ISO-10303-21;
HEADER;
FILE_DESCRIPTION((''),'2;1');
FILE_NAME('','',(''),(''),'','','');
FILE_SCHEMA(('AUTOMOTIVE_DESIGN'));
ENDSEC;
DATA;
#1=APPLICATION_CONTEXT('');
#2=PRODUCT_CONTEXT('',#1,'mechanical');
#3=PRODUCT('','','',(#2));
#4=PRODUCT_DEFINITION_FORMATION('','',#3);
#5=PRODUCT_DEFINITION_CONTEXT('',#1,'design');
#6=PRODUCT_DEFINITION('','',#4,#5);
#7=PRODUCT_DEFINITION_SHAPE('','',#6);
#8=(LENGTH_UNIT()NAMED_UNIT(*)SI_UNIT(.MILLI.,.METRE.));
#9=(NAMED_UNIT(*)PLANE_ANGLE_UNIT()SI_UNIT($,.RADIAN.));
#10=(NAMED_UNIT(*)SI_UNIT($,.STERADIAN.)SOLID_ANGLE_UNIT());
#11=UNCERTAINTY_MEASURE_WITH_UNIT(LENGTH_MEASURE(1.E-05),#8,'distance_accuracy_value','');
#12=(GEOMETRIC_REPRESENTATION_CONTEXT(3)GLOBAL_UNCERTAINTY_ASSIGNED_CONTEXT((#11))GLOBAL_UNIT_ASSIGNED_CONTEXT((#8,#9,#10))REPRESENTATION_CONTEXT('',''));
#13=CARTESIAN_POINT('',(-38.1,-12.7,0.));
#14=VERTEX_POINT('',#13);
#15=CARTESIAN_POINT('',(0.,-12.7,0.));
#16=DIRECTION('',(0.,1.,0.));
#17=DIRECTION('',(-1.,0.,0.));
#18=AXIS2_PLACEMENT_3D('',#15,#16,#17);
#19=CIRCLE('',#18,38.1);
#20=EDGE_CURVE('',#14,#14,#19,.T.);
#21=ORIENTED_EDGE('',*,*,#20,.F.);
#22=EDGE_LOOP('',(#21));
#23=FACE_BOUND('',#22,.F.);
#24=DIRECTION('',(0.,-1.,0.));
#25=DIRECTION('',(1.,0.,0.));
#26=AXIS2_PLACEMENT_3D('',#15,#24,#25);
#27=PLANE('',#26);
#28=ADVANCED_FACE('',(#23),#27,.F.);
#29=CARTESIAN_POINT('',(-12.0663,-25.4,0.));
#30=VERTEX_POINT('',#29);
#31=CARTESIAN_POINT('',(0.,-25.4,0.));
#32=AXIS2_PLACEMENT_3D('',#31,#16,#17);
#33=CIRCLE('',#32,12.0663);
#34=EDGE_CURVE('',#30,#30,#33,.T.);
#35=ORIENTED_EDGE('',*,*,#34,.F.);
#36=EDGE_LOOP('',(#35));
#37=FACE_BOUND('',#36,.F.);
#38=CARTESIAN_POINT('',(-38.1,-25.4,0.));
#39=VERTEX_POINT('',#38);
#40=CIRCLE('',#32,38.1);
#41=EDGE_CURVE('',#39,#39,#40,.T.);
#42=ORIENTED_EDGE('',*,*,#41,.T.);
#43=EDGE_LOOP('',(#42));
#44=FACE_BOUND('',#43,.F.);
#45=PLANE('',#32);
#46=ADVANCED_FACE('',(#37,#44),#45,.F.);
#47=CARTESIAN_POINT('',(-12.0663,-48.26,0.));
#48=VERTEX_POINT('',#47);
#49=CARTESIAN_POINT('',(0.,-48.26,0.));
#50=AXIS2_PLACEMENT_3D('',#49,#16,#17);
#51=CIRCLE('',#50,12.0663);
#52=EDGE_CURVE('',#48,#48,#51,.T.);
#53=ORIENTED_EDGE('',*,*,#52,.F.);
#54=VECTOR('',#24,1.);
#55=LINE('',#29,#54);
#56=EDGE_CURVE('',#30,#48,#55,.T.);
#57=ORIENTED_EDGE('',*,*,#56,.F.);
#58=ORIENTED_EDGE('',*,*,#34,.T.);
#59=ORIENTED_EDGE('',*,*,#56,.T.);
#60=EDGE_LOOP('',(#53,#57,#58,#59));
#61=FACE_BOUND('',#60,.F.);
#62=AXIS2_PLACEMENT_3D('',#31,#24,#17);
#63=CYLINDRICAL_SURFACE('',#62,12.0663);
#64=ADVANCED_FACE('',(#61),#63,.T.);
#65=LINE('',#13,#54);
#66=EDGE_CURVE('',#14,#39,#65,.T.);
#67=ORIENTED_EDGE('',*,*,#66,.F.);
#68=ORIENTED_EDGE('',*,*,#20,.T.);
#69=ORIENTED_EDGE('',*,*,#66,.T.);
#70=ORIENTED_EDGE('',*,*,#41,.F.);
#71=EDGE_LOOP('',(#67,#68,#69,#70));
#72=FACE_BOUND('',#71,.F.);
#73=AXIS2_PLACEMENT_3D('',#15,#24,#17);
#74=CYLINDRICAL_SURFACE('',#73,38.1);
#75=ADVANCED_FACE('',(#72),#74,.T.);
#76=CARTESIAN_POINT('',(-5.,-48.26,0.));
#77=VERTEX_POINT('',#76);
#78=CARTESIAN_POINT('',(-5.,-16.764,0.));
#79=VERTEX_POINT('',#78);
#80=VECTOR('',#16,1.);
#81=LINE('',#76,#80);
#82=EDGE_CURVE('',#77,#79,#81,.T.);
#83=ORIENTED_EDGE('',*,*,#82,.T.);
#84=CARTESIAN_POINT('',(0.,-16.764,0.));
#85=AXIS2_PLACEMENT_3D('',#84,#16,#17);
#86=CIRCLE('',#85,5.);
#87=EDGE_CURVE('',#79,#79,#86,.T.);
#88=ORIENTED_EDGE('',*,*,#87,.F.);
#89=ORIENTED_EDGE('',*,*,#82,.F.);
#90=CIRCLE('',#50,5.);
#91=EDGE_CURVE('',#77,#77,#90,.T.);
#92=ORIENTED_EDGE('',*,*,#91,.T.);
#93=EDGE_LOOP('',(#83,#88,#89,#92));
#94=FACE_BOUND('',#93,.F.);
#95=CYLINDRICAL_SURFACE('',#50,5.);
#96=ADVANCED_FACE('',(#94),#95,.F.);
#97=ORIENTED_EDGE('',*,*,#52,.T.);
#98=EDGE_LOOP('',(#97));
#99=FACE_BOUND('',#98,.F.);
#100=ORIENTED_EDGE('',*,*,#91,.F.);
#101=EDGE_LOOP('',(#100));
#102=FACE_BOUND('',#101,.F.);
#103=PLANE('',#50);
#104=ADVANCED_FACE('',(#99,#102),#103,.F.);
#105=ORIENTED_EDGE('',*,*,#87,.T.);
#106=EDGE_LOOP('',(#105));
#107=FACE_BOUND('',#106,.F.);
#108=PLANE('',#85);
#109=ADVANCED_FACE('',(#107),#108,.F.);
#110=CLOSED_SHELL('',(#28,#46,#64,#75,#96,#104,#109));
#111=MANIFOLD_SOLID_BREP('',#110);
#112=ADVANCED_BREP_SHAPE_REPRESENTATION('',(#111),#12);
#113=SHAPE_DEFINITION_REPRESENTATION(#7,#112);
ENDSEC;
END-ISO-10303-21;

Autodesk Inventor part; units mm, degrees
ref_plane "YZ Plane" through (0, 0, 0) normal (1, 0, 0) x (0, 1, 0)
ref_plane "XZ Plane" through (0, 0, 0) normal (0, 1, 0) x (-1, 0, 0)
ref_plane "XY Plane" through (0, 0, 0) normal (0, 0, 1) x (1, 0, 0)
sketch "Sketch1" plane through (0, 0, 0) normal (0, 0, 1) x (1, 0, 0)
  line L0 (0, 0) -> (-50.8, 0)
  line L1 (-50.8, 0) -> (-50.8, -12.7)
  line L2 (-50.8, -12.7) -> (-38.1, -12.7)
  line L3 (-12.0663, -25.4) -> (-12.0663, -48.26)
  line L4 (-5, -48.26) -> (-5, -16.764)
  line L5 (-5, -16.764) -> (0, -16.764)
  line L6 (0, -16.764) -> (0, 0)
  line L7 (-12.0663, -48.26) -> (-5, -48.26)
  line L8 (-38.1, -12.7) -> (-38.1, -25.4)
  line L9 (-38.1, -25.4) -> (-12.0663, -25.4)
  dimension "d0" = 50.8
  dimension "d1" = 5
  dimension "d2" = 12.0663
  dimension "d13" = 35.56
  dimension "d15" = 31.496
  dimension "d38" = 12.7
  dimension "d39" = 38.1
revolve "Revolution1" add sketch "Sketch1" angle 360 about axis through (0, -16.764, 0) along (0, 1, 0)
sketch "Sketch5" plane through (0, 0, 0) normal (0, 1, 0) x (1, 0, 0)
  circle A0 centre (0, 0) radius 5 projected
  line L0 (9.815, 0) -> (4.9075, -8.5)
  line L1 (4.9075, -8.5) -> (-4.9075, -8.5)
  line L2 (-4.9075, -8.5) -> (-9.815, 0)
  line L3 (-9.815, 0) -> (-4.9075, 8.5)
  line L4 (-4.9075, 8.5) -> (4.9075, 8.5)
  line L5 (4.9075, 8.5) -> (9.815, 0)
  point P0 (0, 0)
  point P1 (0, 0)
  dimension "d16" = 17
extrude "Extrusion1" cut sketch "Sketch5" against normal blind 12.7 contours A0 | L0 L1 L2 L3 L4 L5
sketch "Sketch7" plane through (0, -12.7, 0) normal (0, -1, 0) x (1, 0, 0)
  circle A0 centre (0, 0) radius 50.8 projected
  line L0 (47.0929, -19.05) -> (85.1929, -19.05)
  line L1 (85.1929, -19.05) -> (85.1929, -31.75)
  line L2 (85.1929, -31.75) -> (39.6557, -31.75)
  circle A1 centre (0, 0) radius 5 construction
  line L3 (0, 0) -> (5, 0) construction
  line L4 (50.8, 0) -> (83.823, 0) construction
  dimension "d23" = 38.1
  dimension "d24" = 12.7
  dimension "d25" = 19.05
extrude "Extrusion3" add sketch "Sketch7" against normal blind 12.7 contours A0 L0 L1 L2
sketch "Sketch8" plane through (39.6557, 0, -31.75) normal (0, 1, 0) x (1, 0, 0)
  line L0 (45.5371, -12.7) -> (45.5371, 0) projected
  line L1 (45.5371, 0) -> (0, 0) projected
  line L2 (7.4371, -12.7) -> (45.5371, -12.7) projected
  line L3 (35.8511, -107.95) -> (35.8511, 44.45)
  line L4 (26.3261, -107.95) -> (26.3261, 44.45)
  line L5 (45.5371, -12.7) -> (23.3121, -12.7)
  line L6 (23.3121, -12.7) -> (23.3121, 0)
  line L7 (23.3121, 0) -> (45.5371, 0)
  line L8 (45.5371, 0) -> (45.5371, -12.7)
  point P0 (-39.6557, -31.75)
  point P1 (23.3121, 0)
  point P2 (23.3121, -12.7)
  dimension "d28" = 22.225
extrude "Extrusion4" add sketch "Sketch8" along normal blind 19.05
sketch "Sketch9" plane through (85.1929, -12.7, -31.75) normal (0, 0, -1) x (-1, 0, 0)
  line L0 (22.225, 12.7) -> (22.225, 31.75) projected
  line L1 (0, 31.75) -> (22.225, 31.75) projected
  arc A0 (16.0423, 14.3621) -> (12.8546, 14.3621) centre (14.4485, 18.85) ccw projected
  line L2 (0, 0) -> (0, 31.75) projected
  circle A1 centre (14.4485, 18.85) radius 4.953
  point P0 (85.1929, 12.7)
  dimension "d31" = 9.906
extrude "Extrusion5" cut sketch "Sketch9" against normal through all
mirror "Mirror1" about plane through (0, 0, 0) normal (0, 0, 1) of "Extrusion4", "Extrusion5", "Extrusion3"
sketch "Sketch10" plane through (39.6557, -12.7, -31.75) normal (0, -1, 0) x (1, 0, 0)
  arc A0 (7.4371, 12.7) -> (7.4371, 50.8) centre (-39.6557, 31.75) ccw projected
  line L0 (45.5371, 50.8) -> (7.4371, 50.8) projected
  line L1 (45.5371, 12.7) -> (7.4371, 12.7) projected
  arc A1 (7.4371, 12.7) -> (7.4371, 50.8) centre (-39.6557, 31.75) ccw
  line L2 (7.4371, 50.8) -> (45.5371, 50.8)
  line L3 (45.5371, 0) -> (45.5371, 12.7) projected
  line L4 (45.5371, 50.8) -> (45.5371, 12.7)
  line L5 (45.5371, 12.7) -> (7.4371, 12.7)
extrude "Extrusion6" add sketch "Sketch10" against normal blind 6.35
sketch "Sketch11" plane through (85.1929, -12.7, -31.75) normal (1, 0, 0) x (0, 0, -1)
  line L0 (-63.5, 0) -> (-63.5, 31.75) projected
  line L1 (-50.8, 31.75) -> (-63.5, 31.75) projected
  line L2 (-12.7, 31.75) -> (0, 31.75) projected
  line L3 (0, 0) -> (0, 31.75) projected
  line L4 (0, 0) -> (-63.5, 0) projected
  line L5 (-63.5, 31.75) -> (0, 31.75)
  line L6 (0, 31.75) -> (0, 0)
  line L7 (0, 0) -> (-63.5, 0)
  line L8 (-63.5, 0) -> (-63.5, 31.75)
  point P0 (-31.75, 12.7)
  point P1 (-12.7, 31.75)
  point P2 (-50.8, 31.75)
extrude "Extrusion7" add sketch "Sketch11" along normal blind 6.35
sketch "Sketch12" plane through (39.6557, 19.05, -31.75) normal (0, 1, 0) x (1, 0, 0)
  point P0 (-39.6557, -31.75)
sketch "Sketch13" plane through (0, -12.7, 0) normal (0, -1, 0) x (1, 0, 0)
  circle A0 centre (0, 0) radius 5 projected
  line L0 (91.5429, -31.75) -> (91.5429, 31.75) projected
  circle A1 centre (0, 0) radius 96.8925
  point P0 (0, 0)
extrude "Extrusion8" cut sketch "Sketch13" against normal through all contours A1 L0 picked at (62.6952, 0)
equation "\"d0\" = topPartRadius"
equation "\"d2\" = stemRadius"
equation "\"d15\" = internalHoleDepth"
equation "\"topPartRadius\" = 0.5 * topPartDiameter"
equation "\"totalHeight\" = 35.56"
equation "\"stemRadius\" = 12.06627"
equation "\"stemHeight\" = 22.86"
equation "\"internalHoleDepth\" = 31.496"
equation "\"topPartDiameter\" = 101.6"
properties part number "celestronTripodAdapterBottom" material "PC/ABS Plastic"
